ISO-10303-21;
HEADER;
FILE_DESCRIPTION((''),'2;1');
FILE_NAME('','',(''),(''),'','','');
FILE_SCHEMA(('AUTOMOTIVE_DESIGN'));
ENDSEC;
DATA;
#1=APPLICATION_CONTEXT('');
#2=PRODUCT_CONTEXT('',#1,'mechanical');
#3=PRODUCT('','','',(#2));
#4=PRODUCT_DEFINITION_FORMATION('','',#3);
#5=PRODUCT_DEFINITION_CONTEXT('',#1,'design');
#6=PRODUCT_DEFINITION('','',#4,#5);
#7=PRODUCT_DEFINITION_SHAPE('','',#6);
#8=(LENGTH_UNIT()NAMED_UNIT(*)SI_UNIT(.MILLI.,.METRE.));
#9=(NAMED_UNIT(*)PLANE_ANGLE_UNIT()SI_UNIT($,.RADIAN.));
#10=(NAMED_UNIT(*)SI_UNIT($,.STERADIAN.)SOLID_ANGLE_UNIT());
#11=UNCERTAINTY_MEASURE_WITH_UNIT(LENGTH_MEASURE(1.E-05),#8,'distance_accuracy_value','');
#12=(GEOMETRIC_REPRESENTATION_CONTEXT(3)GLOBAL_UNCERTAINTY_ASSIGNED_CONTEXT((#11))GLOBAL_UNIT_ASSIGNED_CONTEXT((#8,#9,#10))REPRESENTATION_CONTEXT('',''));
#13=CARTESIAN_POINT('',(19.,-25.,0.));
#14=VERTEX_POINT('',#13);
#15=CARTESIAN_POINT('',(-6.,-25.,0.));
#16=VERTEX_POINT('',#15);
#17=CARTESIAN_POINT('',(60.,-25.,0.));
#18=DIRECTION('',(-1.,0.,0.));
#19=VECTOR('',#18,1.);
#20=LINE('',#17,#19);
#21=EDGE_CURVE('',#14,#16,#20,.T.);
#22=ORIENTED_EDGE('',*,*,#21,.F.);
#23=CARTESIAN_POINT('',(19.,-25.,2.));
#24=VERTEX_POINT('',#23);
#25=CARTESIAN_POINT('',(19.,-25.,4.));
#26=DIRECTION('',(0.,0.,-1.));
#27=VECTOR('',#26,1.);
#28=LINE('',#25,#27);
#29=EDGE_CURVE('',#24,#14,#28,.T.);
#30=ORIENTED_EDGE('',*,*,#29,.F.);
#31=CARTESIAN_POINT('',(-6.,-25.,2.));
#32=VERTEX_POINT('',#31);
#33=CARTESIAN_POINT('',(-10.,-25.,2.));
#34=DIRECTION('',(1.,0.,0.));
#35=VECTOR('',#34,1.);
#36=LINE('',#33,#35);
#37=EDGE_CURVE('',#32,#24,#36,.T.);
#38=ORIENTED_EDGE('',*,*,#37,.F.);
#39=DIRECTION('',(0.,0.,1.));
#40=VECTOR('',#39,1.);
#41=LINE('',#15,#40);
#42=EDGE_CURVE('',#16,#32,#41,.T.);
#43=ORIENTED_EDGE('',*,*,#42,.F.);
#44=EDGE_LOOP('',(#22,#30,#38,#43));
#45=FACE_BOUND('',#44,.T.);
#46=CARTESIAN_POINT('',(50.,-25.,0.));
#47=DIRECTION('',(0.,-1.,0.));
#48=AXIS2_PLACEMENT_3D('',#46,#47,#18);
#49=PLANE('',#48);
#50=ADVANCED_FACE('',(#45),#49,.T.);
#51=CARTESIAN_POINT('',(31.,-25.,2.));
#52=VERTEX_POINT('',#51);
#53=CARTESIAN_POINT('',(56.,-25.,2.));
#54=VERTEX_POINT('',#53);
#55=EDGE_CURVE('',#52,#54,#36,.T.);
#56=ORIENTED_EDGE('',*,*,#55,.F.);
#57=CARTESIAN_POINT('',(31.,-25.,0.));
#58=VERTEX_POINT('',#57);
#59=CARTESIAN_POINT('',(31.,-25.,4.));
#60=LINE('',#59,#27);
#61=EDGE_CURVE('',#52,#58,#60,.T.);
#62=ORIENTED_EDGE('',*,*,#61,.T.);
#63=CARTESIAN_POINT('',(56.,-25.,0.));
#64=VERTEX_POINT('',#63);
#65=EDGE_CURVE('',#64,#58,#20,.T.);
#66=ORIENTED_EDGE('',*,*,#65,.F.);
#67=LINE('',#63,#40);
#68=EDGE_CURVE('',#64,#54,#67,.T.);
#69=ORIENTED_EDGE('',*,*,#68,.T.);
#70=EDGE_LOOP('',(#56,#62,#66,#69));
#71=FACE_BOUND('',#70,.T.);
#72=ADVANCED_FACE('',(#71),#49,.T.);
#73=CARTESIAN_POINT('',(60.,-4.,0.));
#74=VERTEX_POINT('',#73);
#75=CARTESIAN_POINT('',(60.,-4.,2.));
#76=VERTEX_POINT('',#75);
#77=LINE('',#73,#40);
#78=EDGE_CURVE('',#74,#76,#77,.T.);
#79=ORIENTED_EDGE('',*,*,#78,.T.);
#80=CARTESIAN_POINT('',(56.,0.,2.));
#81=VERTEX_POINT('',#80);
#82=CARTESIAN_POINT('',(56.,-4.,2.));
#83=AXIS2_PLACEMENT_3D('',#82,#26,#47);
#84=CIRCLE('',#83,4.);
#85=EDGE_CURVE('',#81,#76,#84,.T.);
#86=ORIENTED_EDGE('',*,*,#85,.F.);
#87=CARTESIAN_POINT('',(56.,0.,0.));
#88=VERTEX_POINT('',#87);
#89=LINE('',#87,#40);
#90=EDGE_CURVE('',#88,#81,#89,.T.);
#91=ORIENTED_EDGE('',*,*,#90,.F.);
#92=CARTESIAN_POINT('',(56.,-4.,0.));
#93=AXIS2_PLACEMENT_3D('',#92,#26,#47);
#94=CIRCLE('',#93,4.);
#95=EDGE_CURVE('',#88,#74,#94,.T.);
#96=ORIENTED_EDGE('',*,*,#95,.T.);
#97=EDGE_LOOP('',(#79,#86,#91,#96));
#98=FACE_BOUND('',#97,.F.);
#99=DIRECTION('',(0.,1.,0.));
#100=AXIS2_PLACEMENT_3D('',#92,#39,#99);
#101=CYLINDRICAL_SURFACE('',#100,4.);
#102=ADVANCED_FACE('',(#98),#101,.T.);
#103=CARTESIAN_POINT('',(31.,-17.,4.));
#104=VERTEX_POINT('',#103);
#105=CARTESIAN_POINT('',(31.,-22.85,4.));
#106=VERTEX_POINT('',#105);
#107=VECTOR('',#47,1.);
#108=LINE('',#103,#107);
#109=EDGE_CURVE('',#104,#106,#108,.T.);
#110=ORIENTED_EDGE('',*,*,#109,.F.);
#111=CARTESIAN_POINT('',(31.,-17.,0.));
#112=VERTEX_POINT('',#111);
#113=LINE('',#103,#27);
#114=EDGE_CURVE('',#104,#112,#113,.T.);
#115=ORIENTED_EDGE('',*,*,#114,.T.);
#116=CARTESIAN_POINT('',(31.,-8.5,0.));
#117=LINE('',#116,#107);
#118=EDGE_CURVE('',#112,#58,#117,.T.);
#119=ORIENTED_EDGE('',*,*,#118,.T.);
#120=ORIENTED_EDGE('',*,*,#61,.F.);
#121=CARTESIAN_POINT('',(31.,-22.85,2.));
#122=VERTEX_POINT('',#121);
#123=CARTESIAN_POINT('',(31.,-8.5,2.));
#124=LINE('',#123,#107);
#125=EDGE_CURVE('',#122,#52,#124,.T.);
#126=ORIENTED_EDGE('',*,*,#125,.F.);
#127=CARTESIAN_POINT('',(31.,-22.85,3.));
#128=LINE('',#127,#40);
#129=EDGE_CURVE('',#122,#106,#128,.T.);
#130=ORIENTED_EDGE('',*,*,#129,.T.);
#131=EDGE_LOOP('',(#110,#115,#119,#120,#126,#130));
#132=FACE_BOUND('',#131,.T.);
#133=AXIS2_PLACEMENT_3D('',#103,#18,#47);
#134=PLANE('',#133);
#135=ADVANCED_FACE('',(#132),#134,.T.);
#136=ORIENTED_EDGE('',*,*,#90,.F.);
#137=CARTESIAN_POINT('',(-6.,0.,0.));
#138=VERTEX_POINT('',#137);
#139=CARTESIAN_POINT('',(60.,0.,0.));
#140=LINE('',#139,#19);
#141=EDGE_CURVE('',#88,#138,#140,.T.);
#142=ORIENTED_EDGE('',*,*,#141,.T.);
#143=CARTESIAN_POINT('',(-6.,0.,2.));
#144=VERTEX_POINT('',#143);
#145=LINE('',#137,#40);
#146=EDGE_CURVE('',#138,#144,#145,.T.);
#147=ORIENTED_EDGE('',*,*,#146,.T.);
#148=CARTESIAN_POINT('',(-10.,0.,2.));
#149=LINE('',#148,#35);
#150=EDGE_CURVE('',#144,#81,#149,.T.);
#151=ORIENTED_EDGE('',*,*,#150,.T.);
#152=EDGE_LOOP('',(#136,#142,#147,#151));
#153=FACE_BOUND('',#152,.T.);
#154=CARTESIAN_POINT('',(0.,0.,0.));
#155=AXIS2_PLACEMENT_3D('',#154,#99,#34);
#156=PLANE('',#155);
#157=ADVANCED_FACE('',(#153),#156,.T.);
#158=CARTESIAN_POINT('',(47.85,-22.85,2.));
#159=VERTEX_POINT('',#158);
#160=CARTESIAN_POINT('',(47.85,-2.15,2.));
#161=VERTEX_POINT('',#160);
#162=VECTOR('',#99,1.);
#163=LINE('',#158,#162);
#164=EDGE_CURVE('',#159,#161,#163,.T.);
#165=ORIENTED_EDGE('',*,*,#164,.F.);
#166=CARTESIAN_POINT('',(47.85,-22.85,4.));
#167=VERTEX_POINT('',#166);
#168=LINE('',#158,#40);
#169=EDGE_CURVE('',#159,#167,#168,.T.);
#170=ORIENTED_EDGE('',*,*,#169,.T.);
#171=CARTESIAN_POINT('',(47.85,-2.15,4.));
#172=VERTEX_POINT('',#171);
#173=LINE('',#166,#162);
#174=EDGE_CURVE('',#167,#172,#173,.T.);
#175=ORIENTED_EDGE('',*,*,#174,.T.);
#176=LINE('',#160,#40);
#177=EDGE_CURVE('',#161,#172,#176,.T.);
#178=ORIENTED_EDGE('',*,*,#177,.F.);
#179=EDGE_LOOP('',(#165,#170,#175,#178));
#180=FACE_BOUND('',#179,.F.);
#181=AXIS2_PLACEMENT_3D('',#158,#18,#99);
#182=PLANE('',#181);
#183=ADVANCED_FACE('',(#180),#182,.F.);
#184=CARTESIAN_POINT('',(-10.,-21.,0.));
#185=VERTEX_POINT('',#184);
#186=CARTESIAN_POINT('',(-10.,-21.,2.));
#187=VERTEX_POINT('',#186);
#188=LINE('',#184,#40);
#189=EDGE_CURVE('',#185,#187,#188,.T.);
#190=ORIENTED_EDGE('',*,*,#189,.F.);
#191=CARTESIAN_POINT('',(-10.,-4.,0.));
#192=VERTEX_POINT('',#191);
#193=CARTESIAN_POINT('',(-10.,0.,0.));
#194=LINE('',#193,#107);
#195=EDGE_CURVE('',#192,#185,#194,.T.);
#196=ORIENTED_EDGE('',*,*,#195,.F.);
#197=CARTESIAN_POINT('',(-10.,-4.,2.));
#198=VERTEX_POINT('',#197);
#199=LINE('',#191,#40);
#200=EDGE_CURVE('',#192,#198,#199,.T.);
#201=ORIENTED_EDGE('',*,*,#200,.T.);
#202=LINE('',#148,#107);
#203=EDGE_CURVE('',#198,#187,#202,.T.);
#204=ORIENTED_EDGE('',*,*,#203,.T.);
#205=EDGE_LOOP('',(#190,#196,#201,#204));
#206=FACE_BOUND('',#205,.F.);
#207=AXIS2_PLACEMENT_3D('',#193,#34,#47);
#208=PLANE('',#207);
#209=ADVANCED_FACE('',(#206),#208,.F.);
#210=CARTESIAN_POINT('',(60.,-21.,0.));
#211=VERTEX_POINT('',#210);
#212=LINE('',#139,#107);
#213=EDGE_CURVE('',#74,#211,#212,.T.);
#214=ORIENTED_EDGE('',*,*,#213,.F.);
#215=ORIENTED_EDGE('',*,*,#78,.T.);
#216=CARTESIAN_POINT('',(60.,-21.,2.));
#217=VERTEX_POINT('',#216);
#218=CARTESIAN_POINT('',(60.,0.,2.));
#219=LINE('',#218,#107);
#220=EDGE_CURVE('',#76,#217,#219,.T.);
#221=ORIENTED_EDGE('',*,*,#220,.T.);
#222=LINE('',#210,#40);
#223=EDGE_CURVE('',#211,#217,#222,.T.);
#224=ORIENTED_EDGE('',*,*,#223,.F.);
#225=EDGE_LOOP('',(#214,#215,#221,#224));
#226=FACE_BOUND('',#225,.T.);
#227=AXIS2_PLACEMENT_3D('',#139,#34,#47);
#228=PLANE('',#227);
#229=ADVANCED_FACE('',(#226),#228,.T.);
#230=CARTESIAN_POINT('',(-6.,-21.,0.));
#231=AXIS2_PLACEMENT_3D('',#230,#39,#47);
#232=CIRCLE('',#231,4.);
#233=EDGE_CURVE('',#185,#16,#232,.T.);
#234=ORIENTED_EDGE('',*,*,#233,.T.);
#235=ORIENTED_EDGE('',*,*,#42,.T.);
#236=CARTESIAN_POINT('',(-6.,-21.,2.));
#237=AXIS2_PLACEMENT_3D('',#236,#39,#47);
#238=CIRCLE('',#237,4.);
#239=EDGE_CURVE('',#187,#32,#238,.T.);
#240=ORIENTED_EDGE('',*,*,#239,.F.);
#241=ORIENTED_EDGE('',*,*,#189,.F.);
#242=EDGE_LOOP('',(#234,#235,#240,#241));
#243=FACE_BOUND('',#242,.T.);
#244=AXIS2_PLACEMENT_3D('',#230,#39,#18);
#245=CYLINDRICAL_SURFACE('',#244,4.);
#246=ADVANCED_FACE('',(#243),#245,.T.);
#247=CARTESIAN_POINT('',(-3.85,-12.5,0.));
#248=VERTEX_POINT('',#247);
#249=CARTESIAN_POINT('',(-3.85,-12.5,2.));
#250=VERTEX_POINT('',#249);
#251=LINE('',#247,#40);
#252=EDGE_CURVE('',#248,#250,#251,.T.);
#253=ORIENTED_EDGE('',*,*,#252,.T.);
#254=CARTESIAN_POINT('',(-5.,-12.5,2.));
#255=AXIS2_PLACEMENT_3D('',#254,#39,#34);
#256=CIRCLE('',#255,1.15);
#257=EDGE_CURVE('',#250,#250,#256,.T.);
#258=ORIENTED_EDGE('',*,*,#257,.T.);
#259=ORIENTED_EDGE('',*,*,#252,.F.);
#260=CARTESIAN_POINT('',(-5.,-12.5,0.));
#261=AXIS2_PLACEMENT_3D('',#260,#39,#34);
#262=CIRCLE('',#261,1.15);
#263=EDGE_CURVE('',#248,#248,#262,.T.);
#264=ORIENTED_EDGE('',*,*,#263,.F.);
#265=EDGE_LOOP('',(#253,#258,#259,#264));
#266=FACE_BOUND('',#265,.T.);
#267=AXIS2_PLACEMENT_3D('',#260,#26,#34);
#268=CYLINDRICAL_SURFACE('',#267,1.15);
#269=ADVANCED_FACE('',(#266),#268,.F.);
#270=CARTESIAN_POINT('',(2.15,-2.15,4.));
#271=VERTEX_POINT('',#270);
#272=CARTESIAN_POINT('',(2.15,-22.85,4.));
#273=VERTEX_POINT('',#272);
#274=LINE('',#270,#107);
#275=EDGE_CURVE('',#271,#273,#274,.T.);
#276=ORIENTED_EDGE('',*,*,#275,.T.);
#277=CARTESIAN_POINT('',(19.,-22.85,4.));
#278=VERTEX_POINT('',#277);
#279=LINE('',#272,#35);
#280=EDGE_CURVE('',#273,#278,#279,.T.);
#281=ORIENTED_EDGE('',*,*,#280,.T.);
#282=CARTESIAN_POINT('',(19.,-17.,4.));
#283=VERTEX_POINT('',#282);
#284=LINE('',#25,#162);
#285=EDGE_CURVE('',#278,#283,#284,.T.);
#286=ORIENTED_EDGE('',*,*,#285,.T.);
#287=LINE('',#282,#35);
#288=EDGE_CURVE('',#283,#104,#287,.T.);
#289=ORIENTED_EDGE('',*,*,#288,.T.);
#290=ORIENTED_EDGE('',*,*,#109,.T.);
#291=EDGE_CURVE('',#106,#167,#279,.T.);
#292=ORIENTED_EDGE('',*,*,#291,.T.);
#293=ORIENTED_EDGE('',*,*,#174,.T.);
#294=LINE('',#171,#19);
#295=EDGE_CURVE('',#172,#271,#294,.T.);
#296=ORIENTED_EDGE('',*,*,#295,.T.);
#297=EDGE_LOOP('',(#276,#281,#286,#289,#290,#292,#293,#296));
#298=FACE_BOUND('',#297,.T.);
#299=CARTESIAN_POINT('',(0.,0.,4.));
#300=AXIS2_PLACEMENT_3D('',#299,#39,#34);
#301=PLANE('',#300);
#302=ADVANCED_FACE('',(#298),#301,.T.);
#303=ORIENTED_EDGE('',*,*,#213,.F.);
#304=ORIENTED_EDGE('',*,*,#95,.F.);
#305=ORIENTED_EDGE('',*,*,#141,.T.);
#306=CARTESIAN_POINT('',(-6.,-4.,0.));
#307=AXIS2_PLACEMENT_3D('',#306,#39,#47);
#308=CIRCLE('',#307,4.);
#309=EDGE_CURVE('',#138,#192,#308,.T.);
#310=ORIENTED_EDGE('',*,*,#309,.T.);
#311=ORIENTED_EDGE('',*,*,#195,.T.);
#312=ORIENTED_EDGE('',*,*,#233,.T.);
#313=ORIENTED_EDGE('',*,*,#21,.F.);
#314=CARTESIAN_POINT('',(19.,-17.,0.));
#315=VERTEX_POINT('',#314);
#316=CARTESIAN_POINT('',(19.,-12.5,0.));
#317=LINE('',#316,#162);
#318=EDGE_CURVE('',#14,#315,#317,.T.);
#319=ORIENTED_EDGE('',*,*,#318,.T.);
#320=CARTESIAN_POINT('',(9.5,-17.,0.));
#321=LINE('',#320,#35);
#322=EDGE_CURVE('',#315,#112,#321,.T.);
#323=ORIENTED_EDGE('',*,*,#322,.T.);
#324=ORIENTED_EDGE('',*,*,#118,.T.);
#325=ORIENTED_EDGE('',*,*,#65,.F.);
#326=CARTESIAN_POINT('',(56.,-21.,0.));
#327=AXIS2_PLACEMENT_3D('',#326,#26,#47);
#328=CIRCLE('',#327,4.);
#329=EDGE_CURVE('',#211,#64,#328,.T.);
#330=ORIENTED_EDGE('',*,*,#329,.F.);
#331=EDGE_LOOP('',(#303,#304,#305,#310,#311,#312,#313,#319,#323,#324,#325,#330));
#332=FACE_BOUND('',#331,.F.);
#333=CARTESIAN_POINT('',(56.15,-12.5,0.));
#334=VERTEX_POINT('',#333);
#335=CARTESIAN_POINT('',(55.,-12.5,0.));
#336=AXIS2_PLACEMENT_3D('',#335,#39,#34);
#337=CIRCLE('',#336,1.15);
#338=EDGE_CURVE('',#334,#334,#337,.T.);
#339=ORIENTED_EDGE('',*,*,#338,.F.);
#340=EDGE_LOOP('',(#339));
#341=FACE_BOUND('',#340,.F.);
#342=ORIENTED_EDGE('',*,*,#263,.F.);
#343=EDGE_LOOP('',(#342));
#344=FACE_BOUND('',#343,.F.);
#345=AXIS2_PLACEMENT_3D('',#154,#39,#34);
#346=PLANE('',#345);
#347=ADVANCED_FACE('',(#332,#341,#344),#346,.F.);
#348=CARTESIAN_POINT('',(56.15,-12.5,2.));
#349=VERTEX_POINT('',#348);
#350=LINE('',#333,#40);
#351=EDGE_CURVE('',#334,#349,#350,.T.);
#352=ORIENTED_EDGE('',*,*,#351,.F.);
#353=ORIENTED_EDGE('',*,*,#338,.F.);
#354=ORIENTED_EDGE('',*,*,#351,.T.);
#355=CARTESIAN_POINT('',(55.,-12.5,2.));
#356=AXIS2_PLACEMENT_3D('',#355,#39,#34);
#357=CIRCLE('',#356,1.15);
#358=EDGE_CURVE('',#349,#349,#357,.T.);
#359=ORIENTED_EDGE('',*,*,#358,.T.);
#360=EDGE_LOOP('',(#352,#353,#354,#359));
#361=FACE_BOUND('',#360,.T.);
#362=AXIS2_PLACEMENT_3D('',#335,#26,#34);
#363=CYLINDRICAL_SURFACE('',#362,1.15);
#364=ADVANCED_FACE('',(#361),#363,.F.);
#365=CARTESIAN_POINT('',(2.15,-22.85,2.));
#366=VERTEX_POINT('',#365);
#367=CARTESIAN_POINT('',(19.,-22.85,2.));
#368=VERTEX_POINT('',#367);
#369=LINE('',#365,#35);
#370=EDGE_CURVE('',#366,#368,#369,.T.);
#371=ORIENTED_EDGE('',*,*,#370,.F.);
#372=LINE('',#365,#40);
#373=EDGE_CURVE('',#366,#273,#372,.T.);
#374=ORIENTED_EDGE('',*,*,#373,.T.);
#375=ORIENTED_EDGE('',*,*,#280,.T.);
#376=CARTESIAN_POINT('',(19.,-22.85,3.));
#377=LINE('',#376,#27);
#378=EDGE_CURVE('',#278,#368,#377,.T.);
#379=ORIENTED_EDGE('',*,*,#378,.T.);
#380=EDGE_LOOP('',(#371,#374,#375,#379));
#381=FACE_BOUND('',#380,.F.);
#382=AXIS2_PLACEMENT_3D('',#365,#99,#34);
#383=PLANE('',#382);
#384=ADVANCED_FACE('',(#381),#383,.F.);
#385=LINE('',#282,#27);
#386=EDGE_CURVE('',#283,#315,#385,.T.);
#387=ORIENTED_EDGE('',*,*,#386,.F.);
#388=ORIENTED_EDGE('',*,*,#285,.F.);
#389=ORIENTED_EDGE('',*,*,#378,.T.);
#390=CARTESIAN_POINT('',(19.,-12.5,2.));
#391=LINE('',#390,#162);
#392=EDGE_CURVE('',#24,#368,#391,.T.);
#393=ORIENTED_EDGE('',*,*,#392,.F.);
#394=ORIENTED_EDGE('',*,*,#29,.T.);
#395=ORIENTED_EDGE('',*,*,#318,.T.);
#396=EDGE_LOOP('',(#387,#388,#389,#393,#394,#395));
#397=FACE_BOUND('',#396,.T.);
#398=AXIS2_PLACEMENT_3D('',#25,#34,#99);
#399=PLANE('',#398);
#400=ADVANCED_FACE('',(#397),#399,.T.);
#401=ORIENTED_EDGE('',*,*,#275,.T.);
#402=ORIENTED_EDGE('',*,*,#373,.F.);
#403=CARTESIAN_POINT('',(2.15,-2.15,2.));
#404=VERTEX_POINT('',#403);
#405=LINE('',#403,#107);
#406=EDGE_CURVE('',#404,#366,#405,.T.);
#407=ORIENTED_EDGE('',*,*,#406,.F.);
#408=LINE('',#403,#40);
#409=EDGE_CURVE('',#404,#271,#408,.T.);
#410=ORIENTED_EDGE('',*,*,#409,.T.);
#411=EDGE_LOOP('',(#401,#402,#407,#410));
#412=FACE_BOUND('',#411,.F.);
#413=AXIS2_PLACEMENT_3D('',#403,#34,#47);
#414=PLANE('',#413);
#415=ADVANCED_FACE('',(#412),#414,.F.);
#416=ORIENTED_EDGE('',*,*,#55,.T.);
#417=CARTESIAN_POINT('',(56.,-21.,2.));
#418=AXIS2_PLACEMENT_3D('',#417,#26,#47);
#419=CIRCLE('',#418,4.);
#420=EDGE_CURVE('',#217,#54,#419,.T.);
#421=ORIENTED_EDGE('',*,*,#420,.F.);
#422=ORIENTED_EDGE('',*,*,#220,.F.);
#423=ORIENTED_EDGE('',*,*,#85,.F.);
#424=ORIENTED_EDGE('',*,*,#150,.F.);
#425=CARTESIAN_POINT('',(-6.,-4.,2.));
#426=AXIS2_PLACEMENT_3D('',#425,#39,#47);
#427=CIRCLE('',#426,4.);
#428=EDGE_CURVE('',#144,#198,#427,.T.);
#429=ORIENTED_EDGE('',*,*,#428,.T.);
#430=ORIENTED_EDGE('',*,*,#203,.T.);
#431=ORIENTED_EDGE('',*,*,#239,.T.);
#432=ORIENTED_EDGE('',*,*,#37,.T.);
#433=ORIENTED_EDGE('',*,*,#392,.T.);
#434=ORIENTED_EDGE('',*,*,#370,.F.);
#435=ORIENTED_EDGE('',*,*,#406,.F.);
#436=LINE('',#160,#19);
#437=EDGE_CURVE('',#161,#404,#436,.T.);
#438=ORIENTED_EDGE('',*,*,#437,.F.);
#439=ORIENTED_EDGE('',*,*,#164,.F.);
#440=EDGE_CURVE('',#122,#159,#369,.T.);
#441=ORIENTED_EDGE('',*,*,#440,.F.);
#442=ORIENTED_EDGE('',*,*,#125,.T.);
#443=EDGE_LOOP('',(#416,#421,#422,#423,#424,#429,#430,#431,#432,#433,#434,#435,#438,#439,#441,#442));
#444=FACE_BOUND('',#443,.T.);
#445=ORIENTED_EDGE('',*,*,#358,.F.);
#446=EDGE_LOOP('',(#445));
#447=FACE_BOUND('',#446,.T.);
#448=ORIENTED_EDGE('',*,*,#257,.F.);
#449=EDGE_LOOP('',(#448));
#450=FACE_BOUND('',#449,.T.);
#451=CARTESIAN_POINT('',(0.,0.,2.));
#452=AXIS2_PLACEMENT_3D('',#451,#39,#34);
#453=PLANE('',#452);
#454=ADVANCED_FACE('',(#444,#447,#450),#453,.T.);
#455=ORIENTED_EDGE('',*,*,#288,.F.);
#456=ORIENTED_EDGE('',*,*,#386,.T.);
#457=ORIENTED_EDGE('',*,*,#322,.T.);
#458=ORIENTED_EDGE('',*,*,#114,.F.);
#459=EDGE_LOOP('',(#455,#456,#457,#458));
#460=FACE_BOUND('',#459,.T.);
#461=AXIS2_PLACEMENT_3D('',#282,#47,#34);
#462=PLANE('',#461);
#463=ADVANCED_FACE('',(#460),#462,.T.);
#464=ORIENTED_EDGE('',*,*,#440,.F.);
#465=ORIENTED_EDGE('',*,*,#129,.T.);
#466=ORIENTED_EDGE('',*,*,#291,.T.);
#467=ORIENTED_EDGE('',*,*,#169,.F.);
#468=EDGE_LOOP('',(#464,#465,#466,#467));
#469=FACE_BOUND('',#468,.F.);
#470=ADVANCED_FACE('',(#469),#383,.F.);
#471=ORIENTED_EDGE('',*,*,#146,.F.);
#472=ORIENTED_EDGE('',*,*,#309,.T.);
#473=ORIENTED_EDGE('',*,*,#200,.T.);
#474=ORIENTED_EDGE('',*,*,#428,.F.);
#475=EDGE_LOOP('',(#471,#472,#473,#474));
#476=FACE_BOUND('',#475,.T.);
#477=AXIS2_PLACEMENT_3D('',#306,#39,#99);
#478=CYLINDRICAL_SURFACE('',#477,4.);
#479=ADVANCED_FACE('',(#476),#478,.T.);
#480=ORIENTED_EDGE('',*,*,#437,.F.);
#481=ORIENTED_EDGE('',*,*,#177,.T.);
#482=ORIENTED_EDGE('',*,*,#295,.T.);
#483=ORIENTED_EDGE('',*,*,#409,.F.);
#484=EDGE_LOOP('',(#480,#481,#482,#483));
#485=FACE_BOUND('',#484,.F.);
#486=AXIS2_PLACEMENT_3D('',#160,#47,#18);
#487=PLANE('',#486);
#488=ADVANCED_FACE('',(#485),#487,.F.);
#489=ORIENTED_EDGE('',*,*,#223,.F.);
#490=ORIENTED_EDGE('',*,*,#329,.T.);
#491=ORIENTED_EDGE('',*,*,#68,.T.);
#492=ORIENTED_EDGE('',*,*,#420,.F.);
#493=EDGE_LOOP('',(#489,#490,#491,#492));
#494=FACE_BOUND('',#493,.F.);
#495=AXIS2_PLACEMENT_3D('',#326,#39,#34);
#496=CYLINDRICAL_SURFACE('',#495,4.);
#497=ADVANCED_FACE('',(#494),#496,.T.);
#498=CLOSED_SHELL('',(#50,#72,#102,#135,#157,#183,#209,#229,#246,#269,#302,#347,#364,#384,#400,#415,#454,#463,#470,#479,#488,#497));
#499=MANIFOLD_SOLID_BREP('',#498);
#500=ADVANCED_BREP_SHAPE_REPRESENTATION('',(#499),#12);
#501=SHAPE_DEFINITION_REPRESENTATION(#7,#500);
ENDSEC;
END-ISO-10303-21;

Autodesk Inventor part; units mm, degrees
ref_plane "YZ Plane" through (0, 0, 0) normal (1, 0, 0) x (0, 1, 0)
ref_plane "XZ Plane" through (0, 0, 0) normal (0, 1, 0) x (-1, 0, 0)
sketch "Sketch1" plane through (0, 0, 0) normal (0, 0, 1) x (1, 0, 0)
  line L0 (0, 0) -> (50, 0)
  line L1 (50, 0) -> (50, -25)
  line L2 (50, -25) -> (0, -25)
  line L3 (0, -25) -> (0, 0)
  line L4 (50, 0) -> (60, 0)
  line L5 (60, -25) -> (50, -25)
  line L6 (0, -25) -> (-10, -25)
  line L7 (-10, 0) -> (0, 0)
  circle A0 centre (55, -12.5) radius 1.15
  circle A1 centre (-5, -12.5) radius 1.15
  line L8 (-10, 0) -> (-10, -25)
  line L9 (60, 0) -> (60, -25)
  point P0 (60, -12.5)
  point P1 (-10, -12.5)
  dimension "d0" = 50
  dimension "d1" = 25
  dimension "d19" = 10
  dimension "d20" = 10
  dimension "d21" = 2.3
  dimension "d22" = 2.3
  dimension "d37" = 12.5
  dimension "d38" = 12.5
  dimension "d39" = 12.5
  dimension "d40" = 5
  dimension "d41" = 5
  dimension "d42" = 12.5
  dimension "d43" = 12.5
extrude "Extrusion1" add sketch "Sketch1" along normal blind 2
sketch "Sketch4" plane through (0, 0, 2) normal (0, 0, 1) x (1, 0, 0)
  line L0 (2.15, -22.85) -> (47.85, -22.85)
  line L1 (47.85, -22.85) -> (47.85, -2.15)
  line L2 (47.85, -2.15) -> (2.15, -2.15)
  line L3 (2.15, -2.15) -> (2.15, -22.85)
  line L4 (60, -25) -> (60, 0) projected
  point P0 (0, 0)
  point P1 (2.15, -12.5)
  point P2 (50, -25)
  dimension "d25" = 20.7
  dimension "d26" = 2.15
  dimension "d27" = 45.7
  dimension "d44" = 12.15
ref_plane "Work Plane1" through (0, 0, 4) normal (0, 0, 1) x (1, 0, 0)
sketch "Sketch5" plane through (0, 0, 4) normal (0, 0, 1) x (1, 0, 0)
  line L0 (31, -25) -> (19, -25)
  line L1 (19, -25) -> (19, -17)
  line L2 (19, -17) -> (31, -17)
  line L3 (31, -17) -> (31, -25)
  line L4 (-10, -25) -> (60, -25) projected
  line L5 (-10, 0) -> (-10, -25) projected
  point P0 (0, 0)
  dimension "d32" = 12
  dimension "d33" = 8
  dimension "d50" = 29
fillet "Fillet1" radius 4 4 edges at (-10, 0, 1) (60, 0, 1) (-10, -25, 1) (60, -25, 1)
extrude "Extrusion6" add sketch "Sketch4" along normal blind 2
extrude "Extrusion7" cut sketch "Sketch5" against normal through all
properties part number "UltrasonicSensorMountTest_backplate"
